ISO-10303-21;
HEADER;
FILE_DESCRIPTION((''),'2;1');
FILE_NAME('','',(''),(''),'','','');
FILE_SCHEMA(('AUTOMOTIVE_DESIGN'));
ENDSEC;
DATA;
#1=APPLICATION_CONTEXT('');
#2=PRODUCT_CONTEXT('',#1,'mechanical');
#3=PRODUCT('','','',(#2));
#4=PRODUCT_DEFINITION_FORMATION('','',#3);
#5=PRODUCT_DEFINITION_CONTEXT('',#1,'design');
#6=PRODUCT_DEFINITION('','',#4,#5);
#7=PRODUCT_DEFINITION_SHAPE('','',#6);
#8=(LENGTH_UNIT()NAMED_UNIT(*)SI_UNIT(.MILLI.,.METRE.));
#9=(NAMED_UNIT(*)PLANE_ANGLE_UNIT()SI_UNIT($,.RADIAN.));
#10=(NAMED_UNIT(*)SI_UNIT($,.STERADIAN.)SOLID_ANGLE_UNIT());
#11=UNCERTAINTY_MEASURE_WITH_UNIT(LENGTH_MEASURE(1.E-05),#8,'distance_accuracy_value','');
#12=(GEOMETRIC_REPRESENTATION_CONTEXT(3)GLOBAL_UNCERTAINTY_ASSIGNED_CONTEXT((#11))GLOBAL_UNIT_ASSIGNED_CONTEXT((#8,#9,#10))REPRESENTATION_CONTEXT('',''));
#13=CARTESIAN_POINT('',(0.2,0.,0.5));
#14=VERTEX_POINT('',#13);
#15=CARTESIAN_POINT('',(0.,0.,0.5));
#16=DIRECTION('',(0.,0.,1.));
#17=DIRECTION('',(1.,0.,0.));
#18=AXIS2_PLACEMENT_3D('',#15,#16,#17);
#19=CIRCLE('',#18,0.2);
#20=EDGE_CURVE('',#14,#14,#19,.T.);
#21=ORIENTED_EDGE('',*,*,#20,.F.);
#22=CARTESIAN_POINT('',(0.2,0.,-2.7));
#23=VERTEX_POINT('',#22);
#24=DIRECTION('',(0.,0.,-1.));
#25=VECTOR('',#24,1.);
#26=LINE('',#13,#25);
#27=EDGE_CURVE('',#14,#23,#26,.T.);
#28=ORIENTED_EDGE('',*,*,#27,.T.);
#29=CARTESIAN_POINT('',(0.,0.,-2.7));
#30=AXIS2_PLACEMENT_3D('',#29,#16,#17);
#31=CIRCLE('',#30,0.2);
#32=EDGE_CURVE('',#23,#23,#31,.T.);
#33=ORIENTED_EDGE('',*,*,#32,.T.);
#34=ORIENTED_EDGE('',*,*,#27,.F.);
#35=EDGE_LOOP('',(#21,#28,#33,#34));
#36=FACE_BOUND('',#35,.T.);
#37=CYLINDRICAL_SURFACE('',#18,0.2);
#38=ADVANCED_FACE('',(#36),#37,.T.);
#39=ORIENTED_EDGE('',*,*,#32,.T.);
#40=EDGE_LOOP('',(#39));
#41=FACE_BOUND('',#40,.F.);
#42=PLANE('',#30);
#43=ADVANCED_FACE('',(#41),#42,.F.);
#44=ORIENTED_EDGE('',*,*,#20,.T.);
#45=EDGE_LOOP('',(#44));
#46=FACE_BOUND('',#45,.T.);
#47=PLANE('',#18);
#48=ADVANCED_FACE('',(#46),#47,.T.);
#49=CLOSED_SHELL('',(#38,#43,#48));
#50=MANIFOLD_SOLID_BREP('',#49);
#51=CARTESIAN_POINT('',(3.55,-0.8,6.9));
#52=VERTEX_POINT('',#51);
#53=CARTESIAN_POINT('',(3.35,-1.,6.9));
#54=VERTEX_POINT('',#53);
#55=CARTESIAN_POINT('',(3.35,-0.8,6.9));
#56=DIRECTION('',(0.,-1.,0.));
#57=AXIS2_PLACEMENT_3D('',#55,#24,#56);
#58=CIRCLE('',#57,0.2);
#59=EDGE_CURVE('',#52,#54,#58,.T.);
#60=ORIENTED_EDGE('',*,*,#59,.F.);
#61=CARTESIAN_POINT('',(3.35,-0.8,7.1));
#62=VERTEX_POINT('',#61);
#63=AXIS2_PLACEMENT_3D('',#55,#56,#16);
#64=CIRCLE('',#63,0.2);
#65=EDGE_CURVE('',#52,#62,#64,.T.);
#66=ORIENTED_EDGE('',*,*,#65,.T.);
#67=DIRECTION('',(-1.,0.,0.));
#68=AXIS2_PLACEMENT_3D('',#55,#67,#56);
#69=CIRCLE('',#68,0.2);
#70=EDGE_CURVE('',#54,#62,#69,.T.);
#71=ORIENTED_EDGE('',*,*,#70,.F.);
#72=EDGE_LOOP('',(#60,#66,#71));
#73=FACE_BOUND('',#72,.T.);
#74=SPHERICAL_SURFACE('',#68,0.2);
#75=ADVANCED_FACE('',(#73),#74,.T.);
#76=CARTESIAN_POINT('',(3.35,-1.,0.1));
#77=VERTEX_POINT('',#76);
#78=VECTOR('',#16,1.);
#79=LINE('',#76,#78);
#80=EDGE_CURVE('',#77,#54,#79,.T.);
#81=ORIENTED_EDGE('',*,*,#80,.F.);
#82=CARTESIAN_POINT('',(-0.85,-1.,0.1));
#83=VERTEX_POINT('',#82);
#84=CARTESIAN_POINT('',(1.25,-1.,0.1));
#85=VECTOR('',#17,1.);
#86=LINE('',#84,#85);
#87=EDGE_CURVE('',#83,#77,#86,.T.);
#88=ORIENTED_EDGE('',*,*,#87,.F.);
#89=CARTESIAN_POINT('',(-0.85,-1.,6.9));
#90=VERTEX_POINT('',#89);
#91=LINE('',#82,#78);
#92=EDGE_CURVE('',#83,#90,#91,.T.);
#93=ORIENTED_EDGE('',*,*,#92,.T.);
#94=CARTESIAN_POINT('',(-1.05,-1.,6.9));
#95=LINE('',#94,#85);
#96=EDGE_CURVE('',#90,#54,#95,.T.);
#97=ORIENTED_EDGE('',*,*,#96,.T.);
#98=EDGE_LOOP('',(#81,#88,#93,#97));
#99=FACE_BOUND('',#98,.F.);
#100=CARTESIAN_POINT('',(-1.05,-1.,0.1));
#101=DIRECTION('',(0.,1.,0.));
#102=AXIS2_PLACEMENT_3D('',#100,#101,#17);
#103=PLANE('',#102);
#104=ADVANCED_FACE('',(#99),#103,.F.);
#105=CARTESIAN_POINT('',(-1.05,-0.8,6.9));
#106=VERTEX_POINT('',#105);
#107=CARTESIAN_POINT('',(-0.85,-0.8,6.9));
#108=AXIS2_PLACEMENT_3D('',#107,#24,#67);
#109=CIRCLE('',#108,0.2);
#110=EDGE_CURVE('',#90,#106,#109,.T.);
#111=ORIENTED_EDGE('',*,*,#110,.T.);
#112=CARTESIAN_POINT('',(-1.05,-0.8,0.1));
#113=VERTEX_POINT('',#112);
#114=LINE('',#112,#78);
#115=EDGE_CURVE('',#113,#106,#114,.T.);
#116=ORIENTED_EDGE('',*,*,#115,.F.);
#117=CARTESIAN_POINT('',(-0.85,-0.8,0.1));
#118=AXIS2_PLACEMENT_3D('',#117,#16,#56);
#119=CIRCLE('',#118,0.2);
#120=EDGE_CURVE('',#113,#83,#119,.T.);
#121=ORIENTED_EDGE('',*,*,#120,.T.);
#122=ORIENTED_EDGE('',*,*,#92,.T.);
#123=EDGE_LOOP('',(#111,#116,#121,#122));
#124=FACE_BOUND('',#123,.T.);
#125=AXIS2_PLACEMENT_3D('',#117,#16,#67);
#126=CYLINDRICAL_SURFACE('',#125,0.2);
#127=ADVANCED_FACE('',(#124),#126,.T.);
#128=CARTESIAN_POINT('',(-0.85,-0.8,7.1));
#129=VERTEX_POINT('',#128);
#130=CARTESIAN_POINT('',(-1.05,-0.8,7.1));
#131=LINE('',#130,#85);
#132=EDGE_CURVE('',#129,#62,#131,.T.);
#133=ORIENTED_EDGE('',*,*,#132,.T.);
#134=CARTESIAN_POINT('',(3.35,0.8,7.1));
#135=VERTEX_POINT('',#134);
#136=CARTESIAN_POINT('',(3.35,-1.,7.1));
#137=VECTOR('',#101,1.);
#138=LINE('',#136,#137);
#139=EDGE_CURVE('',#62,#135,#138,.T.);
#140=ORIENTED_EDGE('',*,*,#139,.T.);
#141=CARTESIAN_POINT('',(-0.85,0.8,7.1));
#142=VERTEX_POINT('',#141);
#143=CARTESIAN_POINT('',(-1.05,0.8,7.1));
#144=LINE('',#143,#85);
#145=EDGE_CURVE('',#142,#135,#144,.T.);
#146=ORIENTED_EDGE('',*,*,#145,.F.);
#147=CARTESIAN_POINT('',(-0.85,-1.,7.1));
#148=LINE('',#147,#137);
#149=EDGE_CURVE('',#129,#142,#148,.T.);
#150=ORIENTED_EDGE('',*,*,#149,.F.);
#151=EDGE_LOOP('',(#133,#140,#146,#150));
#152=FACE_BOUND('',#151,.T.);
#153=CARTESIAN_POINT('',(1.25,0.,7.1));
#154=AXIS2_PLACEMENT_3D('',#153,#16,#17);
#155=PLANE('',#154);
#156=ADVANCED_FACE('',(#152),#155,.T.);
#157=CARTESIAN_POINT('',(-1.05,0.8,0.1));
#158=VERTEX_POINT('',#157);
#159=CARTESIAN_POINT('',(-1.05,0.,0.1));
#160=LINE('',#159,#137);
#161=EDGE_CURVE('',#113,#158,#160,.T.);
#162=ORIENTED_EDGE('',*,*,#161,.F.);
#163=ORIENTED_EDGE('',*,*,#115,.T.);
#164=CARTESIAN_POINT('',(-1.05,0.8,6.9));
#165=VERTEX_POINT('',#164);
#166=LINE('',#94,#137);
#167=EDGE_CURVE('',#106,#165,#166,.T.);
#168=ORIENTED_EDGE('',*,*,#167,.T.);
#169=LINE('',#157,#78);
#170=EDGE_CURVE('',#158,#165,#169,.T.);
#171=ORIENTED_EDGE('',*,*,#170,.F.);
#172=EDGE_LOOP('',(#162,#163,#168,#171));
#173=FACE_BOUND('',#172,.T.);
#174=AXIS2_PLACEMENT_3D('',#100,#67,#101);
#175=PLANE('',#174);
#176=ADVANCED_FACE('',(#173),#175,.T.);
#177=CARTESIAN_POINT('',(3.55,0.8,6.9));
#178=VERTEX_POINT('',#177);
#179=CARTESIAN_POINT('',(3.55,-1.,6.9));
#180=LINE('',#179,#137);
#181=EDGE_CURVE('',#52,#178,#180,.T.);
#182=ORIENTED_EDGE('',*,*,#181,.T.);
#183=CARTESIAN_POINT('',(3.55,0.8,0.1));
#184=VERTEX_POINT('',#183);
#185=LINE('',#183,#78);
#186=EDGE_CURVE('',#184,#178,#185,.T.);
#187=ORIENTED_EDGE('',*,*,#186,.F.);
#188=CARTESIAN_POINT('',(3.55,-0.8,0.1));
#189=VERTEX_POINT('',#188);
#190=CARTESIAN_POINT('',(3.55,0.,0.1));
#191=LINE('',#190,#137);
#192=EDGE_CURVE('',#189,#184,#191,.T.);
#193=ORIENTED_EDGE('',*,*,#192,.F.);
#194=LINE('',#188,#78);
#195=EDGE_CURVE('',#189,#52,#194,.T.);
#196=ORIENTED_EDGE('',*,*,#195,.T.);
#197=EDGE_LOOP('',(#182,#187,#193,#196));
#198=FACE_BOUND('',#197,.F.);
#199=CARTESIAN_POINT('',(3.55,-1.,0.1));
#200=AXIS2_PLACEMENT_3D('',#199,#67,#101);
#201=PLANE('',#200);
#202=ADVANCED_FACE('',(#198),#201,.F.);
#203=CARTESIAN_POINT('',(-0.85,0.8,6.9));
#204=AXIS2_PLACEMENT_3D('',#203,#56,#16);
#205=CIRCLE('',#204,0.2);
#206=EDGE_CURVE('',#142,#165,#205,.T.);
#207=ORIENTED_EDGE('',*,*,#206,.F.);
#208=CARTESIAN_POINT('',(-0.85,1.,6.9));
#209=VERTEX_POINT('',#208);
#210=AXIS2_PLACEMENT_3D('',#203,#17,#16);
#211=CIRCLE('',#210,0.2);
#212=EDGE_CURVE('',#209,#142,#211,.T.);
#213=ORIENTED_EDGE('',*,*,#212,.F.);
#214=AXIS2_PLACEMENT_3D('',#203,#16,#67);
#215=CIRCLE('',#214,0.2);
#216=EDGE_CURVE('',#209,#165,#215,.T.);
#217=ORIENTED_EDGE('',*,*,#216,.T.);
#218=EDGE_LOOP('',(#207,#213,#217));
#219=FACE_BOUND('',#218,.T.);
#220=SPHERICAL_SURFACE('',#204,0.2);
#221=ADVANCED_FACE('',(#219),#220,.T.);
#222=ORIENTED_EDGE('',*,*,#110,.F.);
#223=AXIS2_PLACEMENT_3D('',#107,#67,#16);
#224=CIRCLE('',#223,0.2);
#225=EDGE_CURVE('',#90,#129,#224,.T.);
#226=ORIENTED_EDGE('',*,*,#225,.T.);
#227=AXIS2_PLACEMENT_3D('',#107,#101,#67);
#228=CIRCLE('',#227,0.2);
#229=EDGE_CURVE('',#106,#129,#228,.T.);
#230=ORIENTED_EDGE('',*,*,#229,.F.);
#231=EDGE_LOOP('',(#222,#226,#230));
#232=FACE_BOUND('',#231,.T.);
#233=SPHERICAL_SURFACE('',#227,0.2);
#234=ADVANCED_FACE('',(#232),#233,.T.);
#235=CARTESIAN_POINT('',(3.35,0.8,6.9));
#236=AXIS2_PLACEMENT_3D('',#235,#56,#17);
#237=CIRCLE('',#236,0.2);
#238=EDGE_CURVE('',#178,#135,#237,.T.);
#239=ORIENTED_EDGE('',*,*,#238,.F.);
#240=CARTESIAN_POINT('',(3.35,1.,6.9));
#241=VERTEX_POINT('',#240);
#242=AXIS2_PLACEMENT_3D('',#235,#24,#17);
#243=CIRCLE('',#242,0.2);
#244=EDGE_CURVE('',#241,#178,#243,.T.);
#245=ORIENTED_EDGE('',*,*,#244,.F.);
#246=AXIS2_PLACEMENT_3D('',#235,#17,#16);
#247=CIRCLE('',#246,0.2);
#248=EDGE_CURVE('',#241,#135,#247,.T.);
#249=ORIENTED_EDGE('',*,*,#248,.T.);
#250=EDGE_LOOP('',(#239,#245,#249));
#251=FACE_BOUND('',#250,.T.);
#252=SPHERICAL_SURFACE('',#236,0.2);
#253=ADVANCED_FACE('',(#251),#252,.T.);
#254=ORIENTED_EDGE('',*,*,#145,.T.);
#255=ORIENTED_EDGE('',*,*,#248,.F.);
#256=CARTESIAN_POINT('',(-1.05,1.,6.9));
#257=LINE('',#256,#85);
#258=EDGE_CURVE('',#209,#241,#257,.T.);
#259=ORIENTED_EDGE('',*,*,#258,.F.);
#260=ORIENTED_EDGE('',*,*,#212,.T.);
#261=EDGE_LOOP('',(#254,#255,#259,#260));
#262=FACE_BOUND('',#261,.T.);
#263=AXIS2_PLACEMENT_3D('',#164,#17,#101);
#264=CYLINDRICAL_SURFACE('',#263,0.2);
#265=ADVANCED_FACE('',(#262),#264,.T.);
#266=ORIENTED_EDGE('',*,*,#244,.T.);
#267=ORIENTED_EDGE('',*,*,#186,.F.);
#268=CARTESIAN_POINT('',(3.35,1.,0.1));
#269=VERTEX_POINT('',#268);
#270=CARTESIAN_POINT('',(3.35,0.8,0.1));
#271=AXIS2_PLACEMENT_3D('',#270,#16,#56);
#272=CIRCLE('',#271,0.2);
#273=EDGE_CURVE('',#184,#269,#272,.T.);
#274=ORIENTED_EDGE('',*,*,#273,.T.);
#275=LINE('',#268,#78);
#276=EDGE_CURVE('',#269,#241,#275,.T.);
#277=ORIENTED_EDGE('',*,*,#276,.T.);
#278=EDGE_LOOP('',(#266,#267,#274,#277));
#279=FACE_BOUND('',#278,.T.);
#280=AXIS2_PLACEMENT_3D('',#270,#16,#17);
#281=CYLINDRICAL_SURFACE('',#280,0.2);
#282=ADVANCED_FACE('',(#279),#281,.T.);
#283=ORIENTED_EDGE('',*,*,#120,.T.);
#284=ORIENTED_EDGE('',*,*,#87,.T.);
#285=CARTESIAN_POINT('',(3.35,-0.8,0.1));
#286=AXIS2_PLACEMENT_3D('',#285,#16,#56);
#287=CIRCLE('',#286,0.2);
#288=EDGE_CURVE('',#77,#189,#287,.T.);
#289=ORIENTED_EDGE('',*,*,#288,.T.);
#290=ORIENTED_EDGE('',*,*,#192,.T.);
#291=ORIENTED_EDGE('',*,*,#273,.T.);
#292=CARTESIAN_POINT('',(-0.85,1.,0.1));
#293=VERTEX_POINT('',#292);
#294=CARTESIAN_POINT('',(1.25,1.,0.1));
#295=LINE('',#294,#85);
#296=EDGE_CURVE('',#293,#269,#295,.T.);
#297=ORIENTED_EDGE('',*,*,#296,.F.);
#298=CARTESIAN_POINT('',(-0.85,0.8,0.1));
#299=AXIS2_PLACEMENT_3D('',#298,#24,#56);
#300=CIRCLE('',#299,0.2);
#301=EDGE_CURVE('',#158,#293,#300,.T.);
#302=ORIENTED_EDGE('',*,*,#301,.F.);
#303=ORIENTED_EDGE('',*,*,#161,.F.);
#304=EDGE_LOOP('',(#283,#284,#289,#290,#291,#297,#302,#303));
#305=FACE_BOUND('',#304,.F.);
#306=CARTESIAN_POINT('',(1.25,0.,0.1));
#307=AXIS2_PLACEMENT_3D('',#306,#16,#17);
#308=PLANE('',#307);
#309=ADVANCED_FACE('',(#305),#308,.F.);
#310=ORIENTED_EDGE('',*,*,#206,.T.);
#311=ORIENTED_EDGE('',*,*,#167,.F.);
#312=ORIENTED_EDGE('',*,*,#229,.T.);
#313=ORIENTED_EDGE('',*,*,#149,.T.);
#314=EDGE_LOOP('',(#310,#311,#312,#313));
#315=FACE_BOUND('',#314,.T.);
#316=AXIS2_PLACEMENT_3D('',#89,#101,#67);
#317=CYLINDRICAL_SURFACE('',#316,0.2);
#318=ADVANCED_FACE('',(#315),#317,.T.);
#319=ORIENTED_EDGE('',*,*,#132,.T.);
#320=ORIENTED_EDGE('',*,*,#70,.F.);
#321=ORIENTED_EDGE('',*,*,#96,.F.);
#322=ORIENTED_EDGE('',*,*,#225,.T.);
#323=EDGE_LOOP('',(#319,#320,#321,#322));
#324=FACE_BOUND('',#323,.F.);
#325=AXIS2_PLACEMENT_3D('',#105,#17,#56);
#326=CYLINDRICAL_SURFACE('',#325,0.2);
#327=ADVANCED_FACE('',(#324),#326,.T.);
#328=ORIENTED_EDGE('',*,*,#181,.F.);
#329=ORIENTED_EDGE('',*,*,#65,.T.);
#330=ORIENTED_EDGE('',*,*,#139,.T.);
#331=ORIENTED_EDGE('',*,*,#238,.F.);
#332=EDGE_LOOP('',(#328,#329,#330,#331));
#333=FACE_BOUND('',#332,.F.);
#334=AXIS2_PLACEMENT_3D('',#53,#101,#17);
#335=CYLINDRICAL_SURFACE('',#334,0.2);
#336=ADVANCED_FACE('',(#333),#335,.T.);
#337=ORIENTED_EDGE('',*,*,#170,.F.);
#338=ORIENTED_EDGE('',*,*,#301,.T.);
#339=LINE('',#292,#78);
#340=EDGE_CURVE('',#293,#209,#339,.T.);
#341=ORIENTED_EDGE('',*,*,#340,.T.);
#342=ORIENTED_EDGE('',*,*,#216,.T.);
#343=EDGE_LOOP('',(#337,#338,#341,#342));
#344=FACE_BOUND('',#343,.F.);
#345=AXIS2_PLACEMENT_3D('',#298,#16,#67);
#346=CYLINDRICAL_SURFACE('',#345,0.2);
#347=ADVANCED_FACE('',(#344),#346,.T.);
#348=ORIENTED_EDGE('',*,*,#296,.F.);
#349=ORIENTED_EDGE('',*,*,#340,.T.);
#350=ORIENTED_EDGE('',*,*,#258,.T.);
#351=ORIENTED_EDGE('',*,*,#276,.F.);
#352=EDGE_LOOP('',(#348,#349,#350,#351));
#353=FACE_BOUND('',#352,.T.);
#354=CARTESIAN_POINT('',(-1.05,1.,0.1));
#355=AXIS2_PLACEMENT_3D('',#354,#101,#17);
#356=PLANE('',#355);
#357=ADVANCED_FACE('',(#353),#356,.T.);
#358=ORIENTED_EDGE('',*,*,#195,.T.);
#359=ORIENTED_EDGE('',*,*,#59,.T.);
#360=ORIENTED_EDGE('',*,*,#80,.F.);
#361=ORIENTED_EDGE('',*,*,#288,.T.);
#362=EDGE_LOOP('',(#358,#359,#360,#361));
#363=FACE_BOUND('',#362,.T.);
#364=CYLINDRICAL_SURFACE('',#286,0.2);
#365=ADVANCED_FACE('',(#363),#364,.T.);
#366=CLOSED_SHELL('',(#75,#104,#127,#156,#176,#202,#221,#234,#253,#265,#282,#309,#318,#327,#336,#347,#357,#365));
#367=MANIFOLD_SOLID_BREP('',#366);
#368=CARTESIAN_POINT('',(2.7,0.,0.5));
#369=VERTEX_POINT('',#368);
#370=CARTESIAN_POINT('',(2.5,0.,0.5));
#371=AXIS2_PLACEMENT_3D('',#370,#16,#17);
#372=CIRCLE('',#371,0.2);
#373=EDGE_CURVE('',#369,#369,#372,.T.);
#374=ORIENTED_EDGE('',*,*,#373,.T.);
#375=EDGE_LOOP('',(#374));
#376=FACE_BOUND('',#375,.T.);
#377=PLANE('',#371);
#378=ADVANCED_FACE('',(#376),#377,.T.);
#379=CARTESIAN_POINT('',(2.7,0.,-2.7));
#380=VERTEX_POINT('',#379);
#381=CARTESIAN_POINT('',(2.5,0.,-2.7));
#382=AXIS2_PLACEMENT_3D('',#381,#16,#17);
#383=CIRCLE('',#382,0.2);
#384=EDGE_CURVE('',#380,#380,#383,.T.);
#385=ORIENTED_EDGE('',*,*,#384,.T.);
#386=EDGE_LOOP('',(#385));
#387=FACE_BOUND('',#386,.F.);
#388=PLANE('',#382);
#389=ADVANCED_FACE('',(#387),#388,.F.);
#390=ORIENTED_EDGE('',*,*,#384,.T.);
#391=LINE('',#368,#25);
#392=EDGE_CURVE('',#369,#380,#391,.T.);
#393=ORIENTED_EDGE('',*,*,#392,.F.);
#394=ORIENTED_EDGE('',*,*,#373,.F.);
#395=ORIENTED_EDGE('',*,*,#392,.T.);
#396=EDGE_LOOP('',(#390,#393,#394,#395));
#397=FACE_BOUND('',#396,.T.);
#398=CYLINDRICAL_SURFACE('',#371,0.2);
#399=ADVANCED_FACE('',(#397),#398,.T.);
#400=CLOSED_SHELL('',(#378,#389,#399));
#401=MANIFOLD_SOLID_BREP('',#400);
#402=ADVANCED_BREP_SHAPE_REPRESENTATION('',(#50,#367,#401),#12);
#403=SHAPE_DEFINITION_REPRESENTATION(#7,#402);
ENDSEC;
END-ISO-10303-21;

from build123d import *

# Parameters (mm, degrees)
SKETCH_W     = 4.6
SKETCH_H     = 2
PAD_DEPTH    = 7
FILLET_R     = 0.2
SKETCH001_R  = 0.2
PAD001_DEPTH = 3.2


with BuildPart() as fillet_body:
    # Sketch → Pad (new body)
    with BuildSketch(Plane.XY.offset(0.1)):
        with Locations((1.25, 0)):
            Rectangle(SKETCH_W, SKETCH_H)
    extrude(amount=PAD_DEPTH)

    # Fillet
    fillet_edges = [fillet_body.edges().sort_by_distance(p)[0] for p in [
        (-1.05, 0, 7.1),
        (-1.05, -1, 3.6),
        (1.25, -1, 7.1),
        (3.55, -1, 3.6),
        (3.55, 0, 7.1),
        (3.55, 1, 3.6),
        (1.25, 1, 7.1),
        (-1.05, 1, 3.6),
    ]]
    fillet(fillet_edges, radius=FILLET_R)


with BuildPart() as pad001:
    # Sketch001 → Pad001 (new body)
    with BuildSketch(Plane.XY.offset(0.5)):
        Circle(SKETCH001_R)
        with Locations((2.5, 0)):
            Circle(SKETCH001_R)
    extrude(amount=-PAD001_DEPTH)


solid = Compound([fillet_body.part, pad001.part])
